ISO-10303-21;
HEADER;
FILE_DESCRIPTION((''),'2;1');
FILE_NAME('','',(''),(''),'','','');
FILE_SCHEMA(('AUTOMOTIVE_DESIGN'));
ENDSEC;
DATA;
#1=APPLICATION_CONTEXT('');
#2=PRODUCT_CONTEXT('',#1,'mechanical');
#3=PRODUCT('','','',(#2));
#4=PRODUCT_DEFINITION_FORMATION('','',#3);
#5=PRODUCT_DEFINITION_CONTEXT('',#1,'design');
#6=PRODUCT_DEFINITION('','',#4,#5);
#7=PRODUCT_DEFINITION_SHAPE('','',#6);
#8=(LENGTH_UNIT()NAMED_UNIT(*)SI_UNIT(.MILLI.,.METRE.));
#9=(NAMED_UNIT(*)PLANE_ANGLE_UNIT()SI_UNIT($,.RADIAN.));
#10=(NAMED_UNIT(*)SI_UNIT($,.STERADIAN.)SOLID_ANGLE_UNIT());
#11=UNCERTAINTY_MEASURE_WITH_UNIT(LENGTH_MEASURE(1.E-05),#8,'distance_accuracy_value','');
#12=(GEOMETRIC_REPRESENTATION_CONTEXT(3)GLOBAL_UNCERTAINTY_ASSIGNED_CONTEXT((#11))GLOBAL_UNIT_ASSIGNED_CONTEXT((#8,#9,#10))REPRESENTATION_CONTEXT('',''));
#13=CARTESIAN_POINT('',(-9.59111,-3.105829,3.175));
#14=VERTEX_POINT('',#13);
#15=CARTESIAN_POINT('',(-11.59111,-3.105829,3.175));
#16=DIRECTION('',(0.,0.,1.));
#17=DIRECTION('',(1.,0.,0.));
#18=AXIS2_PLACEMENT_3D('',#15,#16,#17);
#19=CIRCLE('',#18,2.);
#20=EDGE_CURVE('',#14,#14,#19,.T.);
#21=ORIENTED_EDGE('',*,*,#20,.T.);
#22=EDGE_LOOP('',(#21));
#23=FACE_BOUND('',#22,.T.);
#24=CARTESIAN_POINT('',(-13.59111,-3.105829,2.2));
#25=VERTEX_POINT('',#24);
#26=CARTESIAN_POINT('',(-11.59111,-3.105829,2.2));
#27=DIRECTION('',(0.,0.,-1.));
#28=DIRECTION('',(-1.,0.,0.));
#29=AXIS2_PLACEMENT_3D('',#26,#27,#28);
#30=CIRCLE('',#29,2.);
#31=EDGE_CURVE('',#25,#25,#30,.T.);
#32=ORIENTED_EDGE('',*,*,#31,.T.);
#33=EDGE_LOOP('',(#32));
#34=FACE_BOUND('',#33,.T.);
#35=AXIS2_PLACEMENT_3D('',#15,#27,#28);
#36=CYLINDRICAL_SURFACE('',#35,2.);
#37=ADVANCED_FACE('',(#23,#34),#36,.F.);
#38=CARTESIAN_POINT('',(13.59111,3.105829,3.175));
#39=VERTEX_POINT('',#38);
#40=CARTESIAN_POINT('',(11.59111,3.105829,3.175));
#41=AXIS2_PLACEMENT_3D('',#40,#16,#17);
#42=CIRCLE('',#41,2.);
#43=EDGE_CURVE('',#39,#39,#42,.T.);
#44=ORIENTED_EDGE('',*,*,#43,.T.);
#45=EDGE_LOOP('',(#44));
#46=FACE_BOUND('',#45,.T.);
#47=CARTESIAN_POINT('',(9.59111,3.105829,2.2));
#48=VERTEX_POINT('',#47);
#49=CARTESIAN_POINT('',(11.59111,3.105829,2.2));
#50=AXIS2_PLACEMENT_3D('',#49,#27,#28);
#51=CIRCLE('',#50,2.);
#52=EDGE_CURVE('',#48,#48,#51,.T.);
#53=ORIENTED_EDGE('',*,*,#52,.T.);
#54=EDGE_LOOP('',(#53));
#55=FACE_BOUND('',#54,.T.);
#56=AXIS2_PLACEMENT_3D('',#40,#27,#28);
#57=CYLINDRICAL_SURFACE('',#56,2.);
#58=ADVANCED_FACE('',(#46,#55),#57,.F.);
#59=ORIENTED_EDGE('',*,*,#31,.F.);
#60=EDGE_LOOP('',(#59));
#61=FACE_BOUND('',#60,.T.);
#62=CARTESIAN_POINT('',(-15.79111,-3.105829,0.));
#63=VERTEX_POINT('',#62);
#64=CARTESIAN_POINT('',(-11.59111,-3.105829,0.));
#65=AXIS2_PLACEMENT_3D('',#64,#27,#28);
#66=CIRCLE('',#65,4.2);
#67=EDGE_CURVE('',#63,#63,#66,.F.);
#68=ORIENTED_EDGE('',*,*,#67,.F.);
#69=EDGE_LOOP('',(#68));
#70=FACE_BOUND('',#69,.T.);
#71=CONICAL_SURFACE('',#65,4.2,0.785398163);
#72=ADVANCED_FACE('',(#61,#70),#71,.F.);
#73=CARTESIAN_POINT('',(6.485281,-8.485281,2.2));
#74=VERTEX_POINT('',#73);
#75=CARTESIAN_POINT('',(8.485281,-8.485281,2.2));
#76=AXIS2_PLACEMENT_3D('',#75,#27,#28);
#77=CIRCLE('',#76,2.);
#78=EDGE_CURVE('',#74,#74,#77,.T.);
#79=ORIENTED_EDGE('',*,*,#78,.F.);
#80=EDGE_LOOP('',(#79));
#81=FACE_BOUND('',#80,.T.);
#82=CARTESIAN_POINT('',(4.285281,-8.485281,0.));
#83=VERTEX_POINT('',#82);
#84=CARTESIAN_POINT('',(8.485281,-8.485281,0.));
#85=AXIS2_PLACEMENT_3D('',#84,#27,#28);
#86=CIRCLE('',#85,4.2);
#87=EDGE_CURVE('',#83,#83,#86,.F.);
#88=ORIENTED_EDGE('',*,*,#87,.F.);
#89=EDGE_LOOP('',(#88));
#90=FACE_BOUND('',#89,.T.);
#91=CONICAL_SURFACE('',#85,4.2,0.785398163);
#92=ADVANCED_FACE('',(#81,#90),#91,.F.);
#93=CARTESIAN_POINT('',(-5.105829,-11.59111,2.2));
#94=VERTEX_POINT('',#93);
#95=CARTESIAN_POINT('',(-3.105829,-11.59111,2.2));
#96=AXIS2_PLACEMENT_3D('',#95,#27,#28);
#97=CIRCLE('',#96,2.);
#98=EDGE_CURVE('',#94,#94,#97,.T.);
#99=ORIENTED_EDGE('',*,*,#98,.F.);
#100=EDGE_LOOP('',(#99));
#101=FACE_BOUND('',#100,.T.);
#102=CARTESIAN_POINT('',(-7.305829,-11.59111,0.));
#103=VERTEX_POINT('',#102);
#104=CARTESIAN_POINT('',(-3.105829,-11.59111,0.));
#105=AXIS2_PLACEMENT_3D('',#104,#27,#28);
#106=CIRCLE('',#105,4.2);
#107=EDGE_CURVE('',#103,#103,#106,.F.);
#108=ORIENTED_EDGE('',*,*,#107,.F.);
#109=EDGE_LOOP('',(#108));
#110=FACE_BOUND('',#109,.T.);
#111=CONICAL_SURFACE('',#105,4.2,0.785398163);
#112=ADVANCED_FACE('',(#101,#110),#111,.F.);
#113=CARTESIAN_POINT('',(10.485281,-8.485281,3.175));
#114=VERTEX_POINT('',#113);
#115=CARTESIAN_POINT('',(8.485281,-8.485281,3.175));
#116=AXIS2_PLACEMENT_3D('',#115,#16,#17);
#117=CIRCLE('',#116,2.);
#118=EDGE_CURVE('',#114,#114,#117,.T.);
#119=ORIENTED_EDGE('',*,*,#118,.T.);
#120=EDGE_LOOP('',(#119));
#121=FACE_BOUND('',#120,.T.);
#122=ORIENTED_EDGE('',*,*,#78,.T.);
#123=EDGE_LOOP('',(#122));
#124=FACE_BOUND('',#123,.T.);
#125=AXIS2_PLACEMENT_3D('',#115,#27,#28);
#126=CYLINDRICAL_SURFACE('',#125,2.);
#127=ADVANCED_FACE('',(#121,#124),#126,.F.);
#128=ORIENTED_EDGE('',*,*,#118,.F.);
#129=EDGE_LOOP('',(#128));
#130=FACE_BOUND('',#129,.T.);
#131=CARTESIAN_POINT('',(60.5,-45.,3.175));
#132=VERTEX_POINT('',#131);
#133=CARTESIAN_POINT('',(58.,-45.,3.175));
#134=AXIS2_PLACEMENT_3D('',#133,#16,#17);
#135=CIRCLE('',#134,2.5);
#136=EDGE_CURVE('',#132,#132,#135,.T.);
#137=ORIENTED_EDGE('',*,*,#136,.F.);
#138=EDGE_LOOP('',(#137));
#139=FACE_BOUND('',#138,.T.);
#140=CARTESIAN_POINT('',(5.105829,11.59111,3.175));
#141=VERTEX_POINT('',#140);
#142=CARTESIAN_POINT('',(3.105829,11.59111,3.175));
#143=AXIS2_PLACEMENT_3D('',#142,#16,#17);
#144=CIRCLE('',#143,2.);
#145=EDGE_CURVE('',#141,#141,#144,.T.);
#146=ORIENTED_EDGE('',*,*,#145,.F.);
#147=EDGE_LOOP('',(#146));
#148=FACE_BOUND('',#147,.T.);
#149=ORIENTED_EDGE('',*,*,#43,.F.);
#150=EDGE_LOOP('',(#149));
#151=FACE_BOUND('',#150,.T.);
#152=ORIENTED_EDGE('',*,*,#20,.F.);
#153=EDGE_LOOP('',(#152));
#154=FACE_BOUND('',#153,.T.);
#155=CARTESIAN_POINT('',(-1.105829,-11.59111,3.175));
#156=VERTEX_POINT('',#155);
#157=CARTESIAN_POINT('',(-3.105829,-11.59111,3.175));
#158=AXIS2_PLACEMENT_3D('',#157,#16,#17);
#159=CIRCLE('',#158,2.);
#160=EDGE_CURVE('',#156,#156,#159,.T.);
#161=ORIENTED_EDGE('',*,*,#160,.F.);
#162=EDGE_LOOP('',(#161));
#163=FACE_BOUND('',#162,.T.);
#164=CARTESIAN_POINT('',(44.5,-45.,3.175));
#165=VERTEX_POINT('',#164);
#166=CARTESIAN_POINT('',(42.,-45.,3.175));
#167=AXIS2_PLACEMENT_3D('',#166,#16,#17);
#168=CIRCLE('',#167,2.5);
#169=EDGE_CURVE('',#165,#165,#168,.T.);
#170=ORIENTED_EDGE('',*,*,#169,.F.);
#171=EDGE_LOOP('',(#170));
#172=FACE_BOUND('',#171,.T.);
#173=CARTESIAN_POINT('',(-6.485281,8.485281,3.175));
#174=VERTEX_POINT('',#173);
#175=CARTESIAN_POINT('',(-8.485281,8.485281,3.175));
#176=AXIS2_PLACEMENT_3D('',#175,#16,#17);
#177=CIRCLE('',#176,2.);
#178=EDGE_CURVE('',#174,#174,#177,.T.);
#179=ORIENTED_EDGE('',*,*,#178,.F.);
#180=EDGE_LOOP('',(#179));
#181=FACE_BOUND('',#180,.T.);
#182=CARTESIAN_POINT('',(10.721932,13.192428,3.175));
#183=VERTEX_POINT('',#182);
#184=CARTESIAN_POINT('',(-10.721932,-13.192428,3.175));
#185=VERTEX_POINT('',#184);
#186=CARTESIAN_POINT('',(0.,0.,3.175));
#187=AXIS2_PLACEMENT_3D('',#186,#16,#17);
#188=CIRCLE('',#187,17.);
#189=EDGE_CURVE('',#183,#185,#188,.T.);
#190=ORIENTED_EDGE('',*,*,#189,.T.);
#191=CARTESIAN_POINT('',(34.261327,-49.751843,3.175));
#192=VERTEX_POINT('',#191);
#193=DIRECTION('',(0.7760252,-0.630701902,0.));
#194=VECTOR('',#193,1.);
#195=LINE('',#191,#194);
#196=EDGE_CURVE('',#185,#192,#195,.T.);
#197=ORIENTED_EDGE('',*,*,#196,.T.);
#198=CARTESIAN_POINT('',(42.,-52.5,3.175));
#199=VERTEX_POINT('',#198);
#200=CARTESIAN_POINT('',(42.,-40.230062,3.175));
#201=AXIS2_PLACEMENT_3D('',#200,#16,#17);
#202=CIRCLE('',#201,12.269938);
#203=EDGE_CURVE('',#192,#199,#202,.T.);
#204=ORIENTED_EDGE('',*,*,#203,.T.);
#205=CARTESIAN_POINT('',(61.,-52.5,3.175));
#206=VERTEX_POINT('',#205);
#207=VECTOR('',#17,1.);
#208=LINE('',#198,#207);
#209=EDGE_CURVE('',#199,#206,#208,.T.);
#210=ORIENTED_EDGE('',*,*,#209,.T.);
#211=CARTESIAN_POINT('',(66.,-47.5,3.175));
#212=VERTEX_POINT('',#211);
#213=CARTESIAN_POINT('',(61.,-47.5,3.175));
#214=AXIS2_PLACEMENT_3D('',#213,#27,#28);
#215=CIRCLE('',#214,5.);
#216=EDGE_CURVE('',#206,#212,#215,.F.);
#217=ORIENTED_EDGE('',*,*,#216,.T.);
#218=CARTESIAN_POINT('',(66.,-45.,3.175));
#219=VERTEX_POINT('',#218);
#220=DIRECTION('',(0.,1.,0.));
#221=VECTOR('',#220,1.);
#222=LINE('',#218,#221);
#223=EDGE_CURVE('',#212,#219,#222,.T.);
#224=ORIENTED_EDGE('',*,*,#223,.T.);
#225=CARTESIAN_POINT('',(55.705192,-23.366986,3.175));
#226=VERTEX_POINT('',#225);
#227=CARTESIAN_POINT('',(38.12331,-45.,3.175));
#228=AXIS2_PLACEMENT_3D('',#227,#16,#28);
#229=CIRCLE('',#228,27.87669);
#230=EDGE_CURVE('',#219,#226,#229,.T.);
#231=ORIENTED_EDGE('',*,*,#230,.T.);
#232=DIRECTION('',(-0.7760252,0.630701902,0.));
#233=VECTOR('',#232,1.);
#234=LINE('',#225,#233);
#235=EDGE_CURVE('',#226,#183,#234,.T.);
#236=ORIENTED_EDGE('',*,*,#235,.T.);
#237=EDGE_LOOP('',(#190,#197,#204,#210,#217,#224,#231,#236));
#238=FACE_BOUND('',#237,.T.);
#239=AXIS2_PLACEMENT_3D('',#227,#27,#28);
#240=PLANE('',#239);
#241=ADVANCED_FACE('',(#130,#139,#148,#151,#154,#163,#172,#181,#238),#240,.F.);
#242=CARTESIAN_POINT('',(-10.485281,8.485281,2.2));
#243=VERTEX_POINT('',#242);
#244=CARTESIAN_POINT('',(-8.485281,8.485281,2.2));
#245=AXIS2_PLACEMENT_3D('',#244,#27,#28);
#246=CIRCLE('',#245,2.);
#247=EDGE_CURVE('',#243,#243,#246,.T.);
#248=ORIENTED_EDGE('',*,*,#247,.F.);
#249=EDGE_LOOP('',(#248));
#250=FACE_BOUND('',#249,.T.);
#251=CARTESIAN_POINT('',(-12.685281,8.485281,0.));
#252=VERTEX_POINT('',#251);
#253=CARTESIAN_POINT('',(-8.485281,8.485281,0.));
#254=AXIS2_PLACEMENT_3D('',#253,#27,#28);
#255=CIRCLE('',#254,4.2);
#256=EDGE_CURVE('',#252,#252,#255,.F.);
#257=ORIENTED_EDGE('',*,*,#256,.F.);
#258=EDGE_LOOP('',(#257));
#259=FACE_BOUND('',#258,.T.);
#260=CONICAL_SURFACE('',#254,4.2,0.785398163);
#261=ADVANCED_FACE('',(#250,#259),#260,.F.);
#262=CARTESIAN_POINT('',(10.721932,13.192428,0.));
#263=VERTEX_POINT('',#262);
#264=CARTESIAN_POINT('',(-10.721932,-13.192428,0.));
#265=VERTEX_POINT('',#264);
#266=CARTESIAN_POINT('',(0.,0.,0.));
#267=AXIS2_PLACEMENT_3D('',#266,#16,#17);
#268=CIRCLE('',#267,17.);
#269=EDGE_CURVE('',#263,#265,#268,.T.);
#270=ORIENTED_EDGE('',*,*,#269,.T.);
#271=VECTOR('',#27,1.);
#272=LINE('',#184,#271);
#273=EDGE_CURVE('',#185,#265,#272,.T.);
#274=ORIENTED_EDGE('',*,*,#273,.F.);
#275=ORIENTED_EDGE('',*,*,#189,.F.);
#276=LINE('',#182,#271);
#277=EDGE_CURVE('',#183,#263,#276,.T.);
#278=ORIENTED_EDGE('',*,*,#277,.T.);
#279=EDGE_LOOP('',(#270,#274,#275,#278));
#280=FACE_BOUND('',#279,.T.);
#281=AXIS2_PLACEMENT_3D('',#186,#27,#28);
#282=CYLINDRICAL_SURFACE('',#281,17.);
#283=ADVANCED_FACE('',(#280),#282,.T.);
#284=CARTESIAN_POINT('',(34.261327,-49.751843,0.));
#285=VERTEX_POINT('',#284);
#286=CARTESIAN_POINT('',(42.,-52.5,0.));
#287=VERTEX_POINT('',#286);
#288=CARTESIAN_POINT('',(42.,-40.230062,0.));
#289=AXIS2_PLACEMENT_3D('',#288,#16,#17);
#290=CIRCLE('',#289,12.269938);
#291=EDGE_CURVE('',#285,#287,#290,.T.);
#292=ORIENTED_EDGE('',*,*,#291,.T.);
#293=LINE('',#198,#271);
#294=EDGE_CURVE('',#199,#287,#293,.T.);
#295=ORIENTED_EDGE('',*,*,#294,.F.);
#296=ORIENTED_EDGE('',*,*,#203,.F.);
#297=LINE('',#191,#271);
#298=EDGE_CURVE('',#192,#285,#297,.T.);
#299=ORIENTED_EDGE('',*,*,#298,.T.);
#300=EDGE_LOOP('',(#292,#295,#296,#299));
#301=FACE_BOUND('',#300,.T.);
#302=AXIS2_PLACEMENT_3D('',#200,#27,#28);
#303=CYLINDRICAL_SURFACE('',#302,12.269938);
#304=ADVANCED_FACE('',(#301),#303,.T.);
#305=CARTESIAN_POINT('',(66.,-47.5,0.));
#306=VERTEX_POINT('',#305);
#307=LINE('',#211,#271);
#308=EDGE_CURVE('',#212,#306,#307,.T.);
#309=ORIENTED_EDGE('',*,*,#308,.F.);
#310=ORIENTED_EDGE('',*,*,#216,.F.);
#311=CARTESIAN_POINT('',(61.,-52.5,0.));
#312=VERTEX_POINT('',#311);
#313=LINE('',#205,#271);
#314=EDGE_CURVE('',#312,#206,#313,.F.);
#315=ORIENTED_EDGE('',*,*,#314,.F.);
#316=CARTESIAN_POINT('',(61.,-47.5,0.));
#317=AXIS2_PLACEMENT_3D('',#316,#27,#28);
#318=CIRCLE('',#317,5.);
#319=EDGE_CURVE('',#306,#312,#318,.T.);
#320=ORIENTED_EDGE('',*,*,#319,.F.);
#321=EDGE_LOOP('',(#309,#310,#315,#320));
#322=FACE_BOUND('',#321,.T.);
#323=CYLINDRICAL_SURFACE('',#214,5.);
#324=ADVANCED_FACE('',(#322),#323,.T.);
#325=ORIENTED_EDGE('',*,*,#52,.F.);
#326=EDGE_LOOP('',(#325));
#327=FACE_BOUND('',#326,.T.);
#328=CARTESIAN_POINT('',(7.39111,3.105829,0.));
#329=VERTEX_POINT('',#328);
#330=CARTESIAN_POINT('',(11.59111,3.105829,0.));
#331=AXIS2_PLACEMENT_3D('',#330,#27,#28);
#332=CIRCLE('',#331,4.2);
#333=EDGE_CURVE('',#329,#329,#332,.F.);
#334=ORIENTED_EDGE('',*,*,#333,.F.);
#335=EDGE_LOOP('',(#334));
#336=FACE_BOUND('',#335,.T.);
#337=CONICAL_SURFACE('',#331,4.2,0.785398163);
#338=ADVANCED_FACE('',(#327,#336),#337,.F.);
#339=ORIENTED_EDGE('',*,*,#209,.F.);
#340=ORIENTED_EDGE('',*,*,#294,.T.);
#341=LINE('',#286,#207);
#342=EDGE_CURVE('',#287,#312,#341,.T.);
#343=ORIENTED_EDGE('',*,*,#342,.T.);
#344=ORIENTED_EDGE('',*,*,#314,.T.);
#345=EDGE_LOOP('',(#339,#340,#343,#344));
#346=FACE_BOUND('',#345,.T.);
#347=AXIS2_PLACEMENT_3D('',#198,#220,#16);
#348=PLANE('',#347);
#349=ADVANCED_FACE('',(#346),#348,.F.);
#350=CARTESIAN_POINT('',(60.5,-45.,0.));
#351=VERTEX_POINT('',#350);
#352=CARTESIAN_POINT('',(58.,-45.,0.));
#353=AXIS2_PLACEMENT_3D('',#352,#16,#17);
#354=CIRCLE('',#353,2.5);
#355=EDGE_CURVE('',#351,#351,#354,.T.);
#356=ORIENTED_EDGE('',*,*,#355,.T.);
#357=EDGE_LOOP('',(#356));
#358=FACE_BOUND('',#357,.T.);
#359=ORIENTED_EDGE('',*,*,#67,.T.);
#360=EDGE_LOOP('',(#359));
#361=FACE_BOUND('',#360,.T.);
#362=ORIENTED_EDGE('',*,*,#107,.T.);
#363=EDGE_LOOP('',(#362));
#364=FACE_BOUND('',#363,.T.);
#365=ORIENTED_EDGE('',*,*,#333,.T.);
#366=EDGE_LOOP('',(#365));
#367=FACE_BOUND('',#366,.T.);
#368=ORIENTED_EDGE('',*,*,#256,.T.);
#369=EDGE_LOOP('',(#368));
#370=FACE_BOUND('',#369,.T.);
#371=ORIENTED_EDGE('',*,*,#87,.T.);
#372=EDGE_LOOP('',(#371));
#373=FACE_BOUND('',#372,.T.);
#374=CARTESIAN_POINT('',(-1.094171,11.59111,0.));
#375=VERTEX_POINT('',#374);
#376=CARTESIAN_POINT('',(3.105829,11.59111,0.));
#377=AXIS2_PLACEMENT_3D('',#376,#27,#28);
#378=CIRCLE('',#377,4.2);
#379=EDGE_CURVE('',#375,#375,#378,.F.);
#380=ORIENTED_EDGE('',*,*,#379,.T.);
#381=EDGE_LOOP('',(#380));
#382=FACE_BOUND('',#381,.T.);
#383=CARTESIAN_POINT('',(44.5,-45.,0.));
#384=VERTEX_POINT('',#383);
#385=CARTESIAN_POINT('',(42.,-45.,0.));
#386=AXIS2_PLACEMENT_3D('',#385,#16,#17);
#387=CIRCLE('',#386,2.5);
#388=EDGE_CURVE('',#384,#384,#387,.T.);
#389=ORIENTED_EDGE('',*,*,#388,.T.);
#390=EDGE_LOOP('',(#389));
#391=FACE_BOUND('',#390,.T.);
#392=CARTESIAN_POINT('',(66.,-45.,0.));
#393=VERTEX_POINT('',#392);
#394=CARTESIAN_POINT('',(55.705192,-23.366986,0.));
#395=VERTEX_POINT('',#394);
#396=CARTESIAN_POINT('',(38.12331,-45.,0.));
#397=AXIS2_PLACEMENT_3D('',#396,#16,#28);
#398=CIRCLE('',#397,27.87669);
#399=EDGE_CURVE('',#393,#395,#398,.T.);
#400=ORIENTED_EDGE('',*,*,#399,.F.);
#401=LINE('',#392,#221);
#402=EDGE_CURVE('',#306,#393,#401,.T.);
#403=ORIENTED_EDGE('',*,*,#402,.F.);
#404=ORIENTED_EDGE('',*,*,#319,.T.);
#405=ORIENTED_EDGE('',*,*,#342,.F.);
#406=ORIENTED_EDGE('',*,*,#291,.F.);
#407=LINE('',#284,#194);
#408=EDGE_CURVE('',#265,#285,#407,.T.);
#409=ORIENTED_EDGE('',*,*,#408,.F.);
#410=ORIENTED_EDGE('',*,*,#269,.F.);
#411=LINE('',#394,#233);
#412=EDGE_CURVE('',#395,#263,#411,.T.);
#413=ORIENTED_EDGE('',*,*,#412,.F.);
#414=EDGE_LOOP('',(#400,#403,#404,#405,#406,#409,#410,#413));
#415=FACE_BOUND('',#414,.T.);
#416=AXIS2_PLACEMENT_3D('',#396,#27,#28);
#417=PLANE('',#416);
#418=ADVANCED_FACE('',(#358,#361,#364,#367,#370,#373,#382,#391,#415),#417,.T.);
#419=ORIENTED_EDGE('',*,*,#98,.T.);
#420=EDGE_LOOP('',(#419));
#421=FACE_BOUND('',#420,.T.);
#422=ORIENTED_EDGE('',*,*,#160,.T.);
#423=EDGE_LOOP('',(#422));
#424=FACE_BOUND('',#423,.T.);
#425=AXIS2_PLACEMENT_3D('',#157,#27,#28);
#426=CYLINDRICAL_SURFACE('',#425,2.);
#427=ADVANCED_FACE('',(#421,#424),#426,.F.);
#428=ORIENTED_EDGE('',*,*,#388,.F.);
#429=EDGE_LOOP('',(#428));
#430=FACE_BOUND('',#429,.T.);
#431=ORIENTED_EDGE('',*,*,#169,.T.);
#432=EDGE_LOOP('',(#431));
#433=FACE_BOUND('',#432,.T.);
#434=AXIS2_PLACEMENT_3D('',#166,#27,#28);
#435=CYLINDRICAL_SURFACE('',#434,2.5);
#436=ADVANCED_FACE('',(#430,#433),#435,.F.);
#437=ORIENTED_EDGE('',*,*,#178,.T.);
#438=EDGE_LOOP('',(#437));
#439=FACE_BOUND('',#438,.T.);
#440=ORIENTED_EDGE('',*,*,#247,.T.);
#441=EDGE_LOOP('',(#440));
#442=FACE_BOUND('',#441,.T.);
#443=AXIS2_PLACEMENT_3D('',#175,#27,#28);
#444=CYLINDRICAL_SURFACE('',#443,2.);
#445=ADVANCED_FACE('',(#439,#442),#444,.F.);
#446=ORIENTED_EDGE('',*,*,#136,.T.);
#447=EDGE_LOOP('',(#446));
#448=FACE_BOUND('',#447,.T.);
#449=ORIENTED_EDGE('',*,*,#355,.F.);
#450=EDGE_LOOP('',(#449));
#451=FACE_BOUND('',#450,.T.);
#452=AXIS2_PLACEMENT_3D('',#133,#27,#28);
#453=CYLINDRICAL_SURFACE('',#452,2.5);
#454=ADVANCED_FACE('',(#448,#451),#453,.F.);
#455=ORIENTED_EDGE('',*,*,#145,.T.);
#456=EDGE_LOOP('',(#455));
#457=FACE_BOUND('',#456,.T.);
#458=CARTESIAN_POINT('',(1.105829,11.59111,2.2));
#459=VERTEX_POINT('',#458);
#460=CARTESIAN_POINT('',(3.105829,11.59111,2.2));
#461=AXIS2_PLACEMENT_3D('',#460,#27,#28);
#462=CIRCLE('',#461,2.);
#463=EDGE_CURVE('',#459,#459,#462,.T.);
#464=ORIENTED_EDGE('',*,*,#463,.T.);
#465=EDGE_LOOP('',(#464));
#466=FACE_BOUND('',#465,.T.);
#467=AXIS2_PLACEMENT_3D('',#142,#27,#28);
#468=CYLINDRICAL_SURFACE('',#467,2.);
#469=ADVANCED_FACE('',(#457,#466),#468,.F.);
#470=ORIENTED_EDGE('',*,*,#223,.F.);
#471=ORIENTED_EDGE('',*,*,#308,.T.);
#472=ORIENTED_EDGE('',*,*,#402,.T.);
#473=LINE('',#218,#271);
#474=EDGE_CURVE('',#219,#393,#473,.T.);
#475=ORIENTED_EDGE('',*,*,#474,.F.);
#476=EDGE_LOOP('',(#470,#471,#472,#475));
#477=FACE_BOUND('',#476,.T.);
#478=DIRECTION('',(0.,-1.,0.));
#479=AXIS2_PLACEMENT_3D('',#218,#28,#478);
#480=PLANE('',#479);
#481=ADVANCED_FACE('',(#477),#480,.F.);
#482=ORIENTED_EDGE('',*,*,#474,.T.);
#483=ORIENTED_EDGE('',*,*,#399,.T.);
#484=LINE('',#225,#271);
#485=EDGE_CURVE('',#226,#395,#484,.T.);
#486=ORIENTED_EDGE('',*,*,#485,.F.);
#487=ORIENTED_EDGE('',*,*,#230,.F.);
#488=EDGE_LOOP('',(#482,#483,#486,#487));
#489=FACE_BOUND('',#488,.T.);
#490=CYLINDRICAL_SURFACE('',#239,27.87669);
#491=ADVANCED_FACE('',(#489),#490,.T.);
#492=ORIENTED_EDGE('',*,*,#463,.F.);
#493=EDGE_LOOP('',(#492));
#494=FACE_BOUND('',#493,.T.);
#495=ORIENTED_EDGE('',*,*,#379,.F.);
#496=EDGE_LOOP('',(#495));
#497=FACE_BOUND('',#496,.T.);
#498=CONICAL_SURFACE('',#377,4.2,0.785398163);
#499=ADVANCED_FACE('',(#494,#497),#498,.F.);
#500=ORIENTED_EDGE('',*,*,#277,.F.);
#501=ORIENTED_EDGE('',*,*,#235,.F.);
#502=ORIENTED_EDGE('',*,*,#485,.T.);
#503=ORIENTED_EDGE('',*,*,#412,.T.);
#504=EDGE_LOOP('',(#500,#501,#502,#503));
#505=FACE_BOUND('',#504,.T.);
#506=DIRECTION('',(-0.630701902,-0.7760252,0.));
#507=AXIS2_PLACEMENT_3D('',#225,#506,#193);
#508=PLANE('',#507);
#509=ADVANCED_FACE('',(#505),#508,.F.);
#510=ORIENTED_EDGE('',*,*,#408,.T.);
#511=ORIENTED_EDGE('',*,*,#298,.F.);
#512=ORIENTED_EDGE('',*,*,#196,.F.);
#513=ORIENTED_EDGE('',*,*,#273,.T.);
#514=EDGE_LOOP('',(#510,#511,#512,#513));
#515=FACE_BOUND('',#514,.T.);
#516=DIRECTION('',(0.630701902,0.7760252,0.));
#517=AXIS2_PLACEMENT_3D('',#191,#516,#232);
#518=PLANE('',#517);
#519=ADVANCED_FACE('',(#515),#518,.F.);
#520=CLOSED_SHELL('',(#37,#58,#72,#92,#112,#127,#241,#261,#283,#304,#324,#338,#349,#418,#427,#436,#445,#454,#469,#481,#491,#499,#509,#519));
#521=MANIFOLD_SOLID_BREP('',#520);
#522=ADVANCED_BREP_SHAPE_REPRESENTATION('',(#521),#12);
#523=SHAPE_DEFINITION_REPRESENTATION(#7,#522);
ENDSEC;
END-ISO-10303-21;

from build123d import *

# Parameters (mm, degrees)
SKETCH1_R           = 2
SKETCH1_R_2         = 2.5
BOSS_EXTRUDE1_DEPTH = 3.175
FILLET1_R           = 5
CHAMFER1_SIZE       = 2.2


with BuildPart() as part:
    # Sketch1 → Boss-Extrude1 (new body)
    with BuildSketch(Plane.XY):
        with BuildLine():
            Line((34.261326859, -49.751843123), (-10.721932331, -13.1924284))
            ThreePointArc((-10.721932331, -13.1924284), (-13.1924284, 10.721932331), (10.721932331, 13.1924284))
            Line((10.721932331, 13.1924284), (55.705191521, -23.366986323))
            ThreePointArc((55.705191521, -23.366986323), (63.295065064, -33.021160716), (66, -45))
            Line((66, -45), (66, -52.5))
            Line((66, -52.5), (42, -52.5))
            ThreePointArc((42, -52.5), (37.893924373, -51.792566974), (34.261326859, -49.751843123))
        make_face()
        with Locations((-8.485281374, 8.485281374)):
            Circle(SKETCH1_R, mode=Mode.SUBTRACT)
        with Locations((3.105828541, 11.591109915)):
            Circle(SKETCH1_R, mode=Mode.SUBTRACT)
        with Locations((11.591109915, 3.105828541)):
            Circle(SKETCH1_R, mode=Mode.SUBTRACT)
        with Locations((8.485281374, -8.485281374)):
            Circle(SKETCH1_R, mode=Mode.SUBTRACT)
        with Locations((42, -45)):
            Circle(SKETCH1_R_2, mode=Mode.SUBTRACT)
        with Locations((58, -45)):
            Circle(SKETCH1_R_2, mode=Mode.SUBTRACT)
        with Locations((-3.105828541, -11.591109915)):
            Circle(SKETCH1_R, mode=Mode.SUBTRACT)
        with Locations((-11.591109915, -3.105828541)):
            Circle(SKETCH1_R, mode=Mode.SUBTRACT)
    extrude(amount=BOSS_EXTRUDE1_DEPTH)

    # Fillet1
    fillet1_edges = [part.edges().sort_by_distance(p)[0] for p in [
        (66, -52.5, 1.5875),
    ]]
    fillet(fillet1_edges, radius=FILLET1_R)

    # Chamfer1
    chamfer1_edges = [part.edges().sort_by_distance(p)[0] for p in [
        (-10.485281374, 8.485281374, 0),
        (1.105828541, 11.591109915, 0),
        (9.591109915, 3.105828541, 0),
        (6.485281374, -8.485281374, 0),
        (-5.105828541, -11.591109915, 0),
        (-13.591109915, -3.105828541, 0),
    ]]
    chamfer(chamfer1_edges, length=CHAMFER1_SIZE)


solid = part.part
